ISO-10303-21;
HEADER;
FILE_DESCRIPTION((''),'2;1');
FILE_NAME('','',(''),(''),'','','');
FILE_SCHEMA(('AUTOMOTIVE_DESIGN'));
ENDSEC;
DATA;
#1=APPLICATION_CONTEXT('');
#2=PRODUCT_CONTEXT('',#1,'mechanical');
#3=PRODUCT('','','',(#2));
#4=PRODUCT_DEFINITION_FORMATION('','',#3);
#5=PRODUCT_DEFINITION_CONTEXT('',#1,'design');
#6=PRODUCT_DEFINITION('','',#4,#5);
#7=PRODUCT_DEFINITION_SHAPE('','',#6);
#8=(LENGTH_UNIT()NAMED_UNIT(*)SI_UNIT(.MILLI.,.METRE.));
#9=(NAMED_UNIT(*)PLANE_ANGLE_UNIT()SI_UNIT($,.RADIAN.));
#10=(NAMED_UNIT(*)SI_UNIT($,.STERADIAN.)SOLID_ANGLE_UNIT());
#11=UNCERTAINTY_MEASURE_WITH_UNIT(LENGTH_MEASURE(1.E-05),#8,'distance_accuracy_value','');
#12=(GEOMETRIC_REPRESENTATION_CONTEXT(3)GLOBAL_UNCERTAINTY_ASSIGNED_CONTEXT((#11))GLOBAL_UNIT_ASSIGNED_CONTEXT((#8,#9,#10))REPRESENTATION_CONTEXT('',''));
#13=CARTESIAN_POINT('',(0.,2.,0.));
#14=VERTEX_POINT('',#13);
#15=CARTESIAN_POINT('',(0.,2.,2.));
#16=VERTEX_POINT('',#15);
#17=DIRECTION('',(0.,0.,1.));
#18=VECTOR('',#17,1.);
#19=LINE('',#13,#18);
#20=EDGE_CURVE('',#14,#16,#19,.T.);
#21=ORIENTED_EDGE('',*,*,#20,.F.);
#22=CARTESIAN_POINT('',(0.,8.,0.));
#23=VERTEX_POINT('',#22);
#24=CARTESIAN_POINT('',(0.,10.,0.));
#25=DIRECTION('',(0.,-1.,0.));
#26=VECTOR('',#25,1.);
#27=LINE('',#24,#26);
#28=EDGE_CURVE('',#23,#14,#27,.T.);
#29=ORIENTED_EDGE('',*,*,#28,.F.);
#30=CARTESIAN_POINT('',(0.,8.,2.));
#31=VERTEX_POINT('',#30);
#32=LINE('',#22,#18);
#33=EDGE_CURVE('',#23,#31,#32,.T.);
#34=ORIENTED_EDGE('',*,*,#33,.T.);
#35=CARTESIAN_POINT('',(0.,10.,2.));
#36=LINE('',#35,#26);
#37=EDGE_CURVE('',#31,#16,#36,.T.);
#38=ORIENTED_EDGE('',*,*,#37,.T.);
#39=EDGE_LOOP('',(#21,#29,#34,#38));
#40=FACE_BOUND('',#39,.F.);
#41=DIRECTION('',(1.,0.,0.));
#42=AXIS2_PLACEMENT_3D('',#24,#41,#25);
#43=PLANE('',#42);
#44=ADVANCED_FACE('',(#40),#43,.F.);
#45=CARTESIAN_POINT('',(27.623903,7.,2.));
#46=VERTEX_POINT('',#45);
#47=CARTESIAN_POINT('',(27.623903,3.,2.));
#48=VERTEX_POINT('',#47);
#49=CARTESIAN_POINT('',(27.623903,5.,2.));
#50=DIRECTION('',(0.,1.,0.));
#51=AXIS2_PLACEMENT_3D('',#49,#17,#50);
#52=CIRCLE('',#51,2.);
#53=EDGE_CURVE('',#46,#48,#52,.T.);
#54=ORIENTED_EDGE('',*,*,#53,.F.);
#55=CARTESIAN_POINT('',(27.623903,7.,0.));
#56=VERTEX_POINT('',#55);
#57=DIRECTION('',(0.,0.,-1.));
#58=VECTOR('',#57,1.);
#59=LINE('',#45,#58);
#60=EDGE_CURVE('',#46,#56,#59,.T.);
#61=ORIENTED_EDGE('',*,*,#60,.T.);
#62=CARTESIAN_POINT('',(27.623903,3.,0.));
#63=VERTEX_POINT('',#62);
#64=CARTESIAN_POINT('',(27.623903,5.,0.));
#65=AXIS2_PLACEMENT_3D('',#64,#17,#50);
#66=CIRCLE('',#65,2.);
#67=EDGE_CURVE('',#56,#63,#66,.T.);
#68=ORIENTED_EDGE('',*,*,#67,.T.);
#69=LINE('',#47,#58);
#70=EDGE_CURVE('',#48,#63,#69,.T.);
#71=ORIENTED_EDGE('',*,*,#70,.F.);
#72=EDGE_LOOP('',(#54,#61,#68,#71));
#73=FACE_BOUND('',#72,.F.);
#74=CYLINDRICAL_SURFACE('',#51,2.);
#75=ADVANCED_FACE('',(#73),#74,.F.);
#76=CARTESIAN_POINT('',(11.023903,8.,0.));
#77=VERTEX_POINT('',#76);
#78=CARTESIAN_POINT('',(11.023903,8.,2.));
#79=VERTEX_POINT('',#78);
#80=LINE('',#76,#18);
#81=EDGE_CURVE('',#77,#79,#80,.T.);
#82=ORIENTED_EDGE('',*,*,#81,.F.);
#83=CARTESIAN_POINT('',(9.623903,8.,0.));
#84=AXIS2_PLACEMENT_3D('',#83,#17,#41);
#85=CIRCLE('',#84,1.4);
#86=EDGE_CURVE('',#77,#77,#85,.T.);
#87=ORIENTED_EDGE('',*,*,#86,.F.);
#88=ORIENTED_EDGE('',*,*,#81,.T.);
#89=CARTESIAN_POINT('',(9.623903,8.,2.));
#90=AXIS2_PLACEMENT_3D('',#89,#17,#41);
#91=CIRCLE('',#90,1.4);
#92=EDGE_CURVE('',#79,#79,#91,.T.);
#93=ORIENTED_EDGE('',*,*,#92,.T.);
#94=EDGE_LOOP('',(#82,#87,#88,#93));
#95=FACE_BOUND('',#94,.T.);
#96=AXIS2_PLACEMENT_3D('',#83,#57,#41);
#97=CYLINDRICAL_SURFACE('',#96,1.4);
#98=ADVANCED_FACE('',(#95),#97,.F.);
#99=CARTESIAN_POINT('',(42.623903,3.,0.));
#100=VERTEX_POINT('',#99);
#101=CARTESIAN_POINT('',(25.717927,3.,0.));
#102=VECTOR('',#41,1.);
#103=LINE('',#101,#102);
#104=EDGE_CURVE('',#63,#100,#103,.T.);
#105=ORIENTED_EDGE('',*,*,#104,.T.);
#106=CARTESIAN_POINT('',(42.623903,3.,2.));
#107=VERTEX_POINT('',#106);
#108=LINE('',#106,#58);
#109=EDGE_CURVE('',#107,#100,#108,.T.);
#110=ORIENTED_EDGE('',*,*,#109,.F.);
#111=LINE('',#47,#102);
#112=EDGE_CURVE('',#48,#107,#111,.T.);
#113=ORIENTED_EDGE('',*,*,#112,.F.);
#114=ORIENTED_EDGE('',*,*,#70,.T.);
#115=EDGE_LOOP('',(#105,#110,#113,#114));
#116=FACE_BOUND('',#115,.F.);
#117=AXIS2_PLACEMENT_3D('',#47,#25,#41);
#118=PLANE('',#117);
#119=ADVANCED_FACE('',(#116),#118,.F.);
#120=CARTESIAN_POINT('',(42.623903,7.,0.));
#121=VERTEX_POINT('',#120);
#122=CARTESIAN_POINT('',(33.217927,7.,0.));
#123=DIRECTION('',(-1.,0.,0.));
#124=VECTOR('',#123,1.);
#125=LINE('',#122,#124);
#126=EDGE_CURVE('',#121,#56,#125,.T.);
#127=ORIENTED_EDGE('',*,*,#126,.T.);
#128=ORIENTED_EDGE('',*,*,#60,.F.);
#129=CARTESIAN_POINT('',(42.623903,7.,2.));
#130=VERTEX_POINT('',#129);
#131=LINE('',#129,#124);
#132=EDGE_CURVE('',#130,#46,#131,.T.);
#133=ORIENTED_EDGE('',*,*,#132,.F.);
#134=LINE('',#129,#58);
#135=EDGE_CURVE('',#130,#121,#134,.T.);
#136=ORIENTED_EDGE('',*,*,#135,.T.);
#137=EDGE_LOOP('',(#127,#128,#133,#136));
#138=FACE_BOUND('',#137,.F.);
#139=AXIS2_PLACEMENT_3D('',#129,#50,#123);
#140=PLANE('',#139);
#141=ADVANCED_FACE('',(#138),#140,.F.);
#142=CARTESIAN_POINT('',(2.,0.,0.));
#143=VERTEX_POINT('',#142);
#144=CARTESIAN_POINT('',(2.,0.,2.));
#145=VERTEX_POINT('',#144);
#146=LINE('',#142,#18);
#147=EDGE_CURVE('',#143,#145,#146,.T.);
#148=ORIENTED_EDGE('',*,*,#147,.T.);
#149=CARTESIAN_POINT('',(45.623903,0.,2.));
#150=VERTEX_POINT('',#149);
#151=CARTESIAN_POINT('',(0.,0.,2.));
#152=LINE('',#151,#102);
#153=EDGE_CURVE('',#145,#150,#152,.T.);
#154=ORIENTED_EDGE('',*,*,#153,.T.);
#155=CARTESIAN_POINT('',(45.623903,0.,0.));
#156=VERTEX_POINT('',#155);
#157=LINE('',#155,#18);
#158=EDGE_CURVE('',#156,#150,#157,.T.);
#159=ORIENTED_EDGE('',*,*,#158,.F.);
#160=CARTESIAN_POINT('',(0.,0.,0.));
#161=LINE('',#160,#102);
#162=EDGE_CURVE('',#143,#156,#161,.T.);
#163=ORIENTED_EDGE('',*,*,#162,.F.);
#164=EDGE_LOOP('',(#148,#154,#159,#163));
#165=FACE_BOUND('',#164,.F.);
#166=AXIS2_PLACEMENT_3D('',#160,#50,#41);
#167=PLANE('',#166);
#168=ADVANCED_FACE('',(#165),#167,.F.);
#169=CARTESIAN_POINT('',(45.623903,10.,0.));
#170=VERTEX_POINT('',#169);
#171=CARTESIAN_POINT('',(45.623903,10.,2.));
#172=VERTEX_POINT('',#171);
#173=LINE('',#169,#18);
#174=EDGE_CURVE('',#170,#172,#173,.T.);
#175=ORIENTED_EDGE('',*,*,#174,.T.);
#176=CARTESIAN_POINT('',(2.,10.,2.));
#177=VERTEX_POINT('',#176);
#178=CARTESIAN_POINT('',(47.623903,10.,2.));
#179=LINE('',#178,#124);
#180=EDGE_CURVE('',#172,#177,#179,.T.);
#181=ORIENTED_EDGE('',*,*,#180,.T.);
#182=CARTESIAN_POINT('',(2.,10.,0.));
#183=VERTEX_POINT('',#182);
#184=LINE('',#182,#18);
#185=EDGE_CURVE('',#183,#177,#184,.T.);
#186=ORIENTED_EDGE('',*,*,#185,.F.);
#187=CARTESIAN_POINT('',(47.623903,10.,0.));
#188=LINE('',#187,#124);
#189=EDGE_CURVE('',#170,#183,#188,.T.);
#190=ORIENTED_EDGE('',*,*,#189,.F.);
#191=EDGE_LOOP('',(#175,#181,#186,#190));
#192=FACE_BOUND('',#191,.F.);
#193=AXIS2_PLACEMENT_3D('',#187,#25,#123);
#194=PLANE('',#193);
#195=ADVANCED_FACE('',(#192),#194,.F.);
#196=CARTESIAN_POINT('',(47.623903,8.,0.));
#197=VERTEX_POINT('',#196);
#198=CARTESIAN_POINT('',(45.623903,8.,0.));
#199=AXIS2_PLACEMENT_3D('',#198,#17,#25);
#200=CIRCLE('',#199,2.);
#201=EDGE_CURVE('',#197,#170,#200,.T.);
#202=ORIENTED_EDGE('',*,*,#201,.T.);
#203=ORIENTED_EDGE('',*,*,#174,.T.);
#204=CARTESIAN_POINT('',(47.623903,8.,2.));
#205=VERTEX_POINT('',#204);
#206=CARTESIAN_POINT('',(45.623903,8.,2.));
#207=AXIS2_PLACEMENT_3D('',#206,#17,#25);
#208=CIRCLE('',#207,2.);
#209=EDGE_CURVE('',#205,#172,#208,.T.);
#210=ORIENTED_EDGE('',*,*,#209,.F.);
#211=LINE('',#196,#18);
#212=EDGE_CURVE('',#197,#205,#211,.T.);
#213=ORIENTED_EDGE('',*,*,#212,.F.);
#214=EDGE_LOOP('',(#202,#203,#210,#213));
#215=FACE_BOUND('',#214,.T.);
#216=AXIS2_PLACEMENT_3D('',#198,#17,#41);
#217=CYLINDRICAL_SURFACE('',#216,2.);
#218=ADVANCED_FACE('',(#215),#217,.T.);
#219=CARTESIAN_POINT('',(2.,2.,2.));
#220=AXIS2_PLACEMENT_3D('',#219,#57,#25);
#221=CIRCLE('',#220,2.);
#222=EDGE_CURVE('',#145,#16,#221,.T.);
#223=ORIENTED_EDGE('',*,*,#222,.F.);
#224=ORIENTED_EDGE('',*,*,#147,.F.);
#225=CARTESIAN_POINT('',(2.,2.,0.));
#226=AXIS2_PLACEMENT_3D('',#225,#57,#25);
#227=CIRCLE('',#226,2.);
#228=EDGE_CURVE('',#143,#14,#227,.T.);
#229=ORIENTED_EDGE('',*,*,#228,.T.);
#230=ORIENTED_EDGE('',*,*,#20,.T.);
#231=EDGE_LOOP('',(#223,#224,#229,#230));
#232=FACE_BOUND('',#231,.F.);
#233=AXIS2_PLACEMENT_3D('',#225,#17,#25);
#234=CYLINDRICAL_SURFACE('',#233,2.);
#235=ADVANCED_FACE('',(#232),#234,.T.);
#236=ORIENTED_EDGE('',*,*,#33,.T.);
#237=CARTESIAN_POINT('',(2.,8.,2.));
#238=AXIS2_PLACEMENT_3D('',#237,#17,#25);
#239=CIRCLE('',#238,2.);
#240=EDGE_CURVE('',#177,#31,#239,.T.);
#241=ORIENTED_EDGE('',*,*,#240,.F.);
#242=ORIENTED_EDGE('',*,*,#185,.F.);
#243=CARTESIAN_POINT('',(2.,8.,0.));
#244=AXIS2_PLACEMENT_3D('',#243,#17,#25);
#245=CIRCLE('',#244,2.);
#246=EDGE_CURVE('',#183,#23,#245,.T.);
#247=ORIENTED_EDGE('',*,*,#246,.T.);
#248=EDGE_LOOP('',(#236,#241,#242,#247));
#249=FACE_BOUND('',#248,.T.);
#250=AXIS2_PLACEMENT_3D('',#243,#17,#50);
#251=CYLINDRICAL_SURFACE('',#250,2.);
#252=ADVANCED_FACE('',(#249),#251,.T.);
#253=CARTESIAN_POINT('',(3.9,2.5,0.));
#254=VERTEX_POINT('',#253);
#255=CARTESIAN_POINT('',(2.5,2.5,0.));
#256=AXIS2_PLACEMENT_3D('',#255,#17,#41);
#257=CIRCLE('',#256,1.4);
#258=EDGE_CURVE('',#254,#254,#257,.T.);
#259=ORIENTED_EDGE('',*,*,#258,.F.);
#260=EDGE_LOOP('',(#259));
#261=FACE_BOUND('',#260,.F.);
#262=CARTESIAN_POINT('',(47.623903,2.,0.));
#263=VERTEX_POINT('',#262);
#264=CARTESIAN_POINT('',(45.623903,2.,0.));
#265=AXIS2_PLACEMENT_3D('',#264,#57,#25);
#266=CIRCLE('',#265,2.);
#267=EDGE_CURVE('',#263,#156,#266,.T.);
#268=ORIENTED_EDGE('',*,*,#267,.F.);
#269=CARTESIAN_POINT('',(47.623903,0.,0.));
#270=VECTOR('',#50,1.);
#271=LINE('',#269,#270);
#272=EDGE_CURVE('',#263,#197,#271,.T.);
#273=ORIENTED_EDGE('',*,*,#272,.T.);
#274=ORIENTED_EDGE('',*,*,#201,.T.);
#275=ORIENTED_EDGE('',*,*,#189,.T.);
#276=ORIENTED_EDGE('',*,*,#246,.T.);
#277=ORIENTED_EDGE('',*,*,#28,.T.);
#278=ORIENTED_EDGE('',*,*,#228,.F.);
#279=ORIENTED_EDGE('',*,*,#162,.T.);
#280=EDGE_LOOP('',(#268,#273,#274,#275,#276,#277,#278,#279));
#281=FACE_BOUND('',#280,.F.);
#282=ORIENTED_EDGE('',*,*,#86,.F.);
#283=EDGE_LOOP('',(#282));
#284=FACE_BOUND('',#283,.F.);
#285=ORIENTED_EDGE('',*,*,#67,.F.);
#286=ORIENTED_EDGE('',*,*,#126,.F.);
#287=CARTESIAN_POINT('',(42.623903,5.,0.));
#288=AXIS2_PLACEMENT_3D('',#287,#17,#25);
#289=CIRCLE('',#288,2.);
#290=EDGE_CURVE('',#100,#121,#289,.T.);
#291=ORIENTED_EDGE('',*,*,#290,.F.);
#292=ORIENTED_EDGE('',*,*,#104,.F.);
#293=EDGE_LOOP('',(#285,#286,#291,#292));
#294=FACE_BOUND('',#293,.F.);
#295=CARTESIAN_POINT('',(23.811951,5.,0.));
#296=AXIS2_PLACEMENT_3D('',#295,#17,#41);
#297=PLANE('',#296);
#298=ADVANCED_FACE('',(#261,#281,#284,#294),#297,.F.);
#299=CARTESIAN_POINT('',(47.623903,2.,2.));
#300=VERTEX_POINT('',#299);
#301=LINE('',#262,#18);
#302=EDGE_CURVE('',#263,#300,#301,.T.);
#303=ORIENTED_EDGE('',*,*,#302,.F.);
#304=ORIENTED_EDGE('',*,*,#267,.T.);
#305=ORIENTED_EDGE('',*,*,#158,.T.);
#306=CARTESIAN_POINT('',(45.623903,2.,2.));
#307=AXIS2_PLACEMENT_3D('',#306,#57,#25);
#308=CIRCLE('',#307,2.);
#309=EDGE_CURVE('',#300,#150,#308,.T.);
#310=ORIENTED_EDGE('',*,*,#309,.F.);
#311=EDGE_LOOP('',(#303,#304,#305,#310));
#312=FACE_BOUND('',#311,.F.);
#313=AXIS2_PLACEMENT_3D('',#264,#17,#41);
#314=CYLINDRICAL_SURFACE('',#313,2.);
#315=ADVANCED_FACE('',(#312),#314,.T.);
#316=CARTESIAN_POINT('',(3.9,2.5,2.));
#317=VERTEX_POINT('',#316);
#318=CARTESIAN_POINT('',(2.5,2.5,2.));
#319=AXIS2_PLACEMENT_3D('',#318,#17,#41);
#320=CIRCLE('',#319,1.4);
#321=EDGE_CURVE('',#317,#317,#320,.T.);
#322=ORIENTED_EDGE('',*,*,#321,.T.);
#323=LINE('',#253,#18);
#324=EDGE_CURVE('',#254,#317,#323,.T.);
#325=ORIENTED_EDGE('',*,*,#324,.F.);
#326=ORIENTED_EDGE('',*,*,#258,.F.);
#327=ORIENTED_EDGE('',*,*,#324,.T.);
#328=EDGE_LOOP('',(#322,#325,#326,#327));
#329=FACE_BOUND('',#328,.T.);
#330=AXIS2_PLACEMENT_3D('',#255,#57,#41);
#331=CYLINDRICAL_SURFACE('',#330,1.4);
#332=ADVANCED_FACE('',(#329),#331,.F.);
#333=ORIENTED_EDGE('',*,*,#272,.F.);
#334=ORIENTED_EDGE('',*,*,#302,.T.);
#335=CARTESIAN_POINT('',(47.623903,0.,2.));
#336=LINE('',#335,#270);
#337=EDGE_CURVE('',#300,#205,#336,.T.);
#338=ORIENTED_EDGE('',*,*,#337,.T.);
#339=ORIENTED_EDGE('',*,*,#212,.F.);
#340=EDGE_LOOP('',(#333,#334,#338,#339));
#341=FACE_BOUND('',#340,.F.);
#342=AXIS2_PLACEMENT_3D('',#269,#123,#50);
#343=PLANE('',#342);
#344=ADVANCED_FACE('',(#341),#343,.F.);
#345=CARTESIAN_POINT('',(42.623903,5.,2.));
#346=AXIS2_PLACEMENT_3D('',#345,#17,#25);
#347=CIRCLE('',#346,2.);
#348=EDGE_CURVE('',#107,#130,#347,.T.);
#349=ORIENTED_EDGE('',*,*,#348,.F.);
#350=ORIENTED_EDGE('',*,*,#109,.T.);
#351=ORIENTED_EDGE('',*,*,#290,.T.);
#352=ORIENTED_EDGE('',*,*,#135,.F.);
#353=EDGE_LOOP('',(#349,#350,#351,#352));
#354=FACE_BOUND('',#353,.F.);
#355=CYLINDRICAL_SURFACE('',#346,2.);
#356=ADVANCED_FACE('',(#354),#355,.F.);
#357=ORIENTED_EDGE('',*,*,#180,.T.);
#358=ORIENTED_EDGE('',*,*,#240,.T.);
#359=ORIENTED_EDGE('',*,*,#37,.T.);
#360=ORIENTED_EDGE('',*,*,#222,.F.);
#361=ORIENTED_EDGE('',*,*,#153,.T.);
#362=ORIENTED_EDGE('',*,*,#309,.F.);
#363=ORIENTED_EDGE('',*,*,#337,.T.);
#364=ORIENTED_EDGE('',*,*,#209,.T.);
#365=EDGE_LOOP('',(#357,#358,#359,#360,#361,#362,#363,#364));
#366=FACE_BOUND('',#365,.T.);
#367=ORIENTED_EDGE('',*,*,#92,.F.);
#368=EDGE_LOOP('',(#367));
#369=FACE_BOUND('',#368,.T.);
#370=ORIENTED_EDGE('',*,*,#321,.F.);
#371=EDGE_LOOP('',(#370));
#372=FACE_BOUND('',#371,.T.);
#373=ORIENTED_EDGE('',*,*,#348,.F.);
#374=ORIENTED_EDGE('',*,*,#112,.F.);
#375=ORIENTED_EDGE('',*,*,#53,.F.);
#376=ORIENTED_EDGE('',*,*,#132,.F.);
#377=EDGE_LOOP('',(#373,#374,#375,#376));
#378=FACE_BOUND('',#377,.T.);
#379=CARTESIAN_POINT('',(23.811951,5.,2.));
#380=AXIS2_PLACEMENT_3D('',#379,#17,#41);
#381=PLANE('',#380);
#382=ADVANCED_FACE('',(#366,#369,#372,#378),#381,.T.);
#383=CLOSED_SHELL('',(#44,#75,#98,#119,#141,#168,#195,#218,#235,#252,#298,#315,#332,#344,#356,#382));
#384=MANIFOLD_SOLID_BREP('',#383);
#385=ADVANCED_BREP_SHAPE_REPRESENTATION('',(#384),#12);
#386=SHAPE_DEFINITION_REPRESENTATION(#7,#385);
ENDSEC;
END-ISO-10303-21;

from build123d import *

# Parameters (mm, degrees)
F0_R     = 1.4
F1_DEPTH = 2
F2_R     = 2
F4_DEPTH = 2.001


with BuildPart() as f1:
    # F0 (on Top) → F1 (new body)
    with BuildSketch(Plane.XY):
        Polygon((47.623903, 0), (47.623903, 10), (13.023903, 10), (0, 10), (0, 0), align=None)
        with Locations((2.5, 2.5)):
            Circle(F0_R, mode=Mode.SUBTRACT)
        with Locations((9.623903, 8)):
            Circle(F0_R, mode=Mode.SUBTRACT)
    extrude(amount=F1_DEPTH)

    # F2
    f2_edges = [f1.edges().sort_by_distance(p)[0] for p in [
        (0, 0, 1),
        (0, 10, 1),
        (47.623903, 0, 1),
        (47.623903, 10, 1),
    ]]
    fillet(f2_edges, radius=F2_R)

    # F3 (on face) → F4 (cut, through all)
    with BuildSketch(Plane.XY.offset(2)):
        with BuildLine():
            ThreePointArc((42.623903, 3), (44.623903, 5), (42.623903, 7))
            Line((42.623903, 7), (27.623903, 7))
            ThreePointArc((27.623903, 7), (25.623903, 5), (27.623903, 3))
            Line((27.623903, 3), (42.623903, 3))
        make_face()
    extrude(amount=-F4_DEPTH, mode=Mode.SUBTRACT)


solid = f1.part
